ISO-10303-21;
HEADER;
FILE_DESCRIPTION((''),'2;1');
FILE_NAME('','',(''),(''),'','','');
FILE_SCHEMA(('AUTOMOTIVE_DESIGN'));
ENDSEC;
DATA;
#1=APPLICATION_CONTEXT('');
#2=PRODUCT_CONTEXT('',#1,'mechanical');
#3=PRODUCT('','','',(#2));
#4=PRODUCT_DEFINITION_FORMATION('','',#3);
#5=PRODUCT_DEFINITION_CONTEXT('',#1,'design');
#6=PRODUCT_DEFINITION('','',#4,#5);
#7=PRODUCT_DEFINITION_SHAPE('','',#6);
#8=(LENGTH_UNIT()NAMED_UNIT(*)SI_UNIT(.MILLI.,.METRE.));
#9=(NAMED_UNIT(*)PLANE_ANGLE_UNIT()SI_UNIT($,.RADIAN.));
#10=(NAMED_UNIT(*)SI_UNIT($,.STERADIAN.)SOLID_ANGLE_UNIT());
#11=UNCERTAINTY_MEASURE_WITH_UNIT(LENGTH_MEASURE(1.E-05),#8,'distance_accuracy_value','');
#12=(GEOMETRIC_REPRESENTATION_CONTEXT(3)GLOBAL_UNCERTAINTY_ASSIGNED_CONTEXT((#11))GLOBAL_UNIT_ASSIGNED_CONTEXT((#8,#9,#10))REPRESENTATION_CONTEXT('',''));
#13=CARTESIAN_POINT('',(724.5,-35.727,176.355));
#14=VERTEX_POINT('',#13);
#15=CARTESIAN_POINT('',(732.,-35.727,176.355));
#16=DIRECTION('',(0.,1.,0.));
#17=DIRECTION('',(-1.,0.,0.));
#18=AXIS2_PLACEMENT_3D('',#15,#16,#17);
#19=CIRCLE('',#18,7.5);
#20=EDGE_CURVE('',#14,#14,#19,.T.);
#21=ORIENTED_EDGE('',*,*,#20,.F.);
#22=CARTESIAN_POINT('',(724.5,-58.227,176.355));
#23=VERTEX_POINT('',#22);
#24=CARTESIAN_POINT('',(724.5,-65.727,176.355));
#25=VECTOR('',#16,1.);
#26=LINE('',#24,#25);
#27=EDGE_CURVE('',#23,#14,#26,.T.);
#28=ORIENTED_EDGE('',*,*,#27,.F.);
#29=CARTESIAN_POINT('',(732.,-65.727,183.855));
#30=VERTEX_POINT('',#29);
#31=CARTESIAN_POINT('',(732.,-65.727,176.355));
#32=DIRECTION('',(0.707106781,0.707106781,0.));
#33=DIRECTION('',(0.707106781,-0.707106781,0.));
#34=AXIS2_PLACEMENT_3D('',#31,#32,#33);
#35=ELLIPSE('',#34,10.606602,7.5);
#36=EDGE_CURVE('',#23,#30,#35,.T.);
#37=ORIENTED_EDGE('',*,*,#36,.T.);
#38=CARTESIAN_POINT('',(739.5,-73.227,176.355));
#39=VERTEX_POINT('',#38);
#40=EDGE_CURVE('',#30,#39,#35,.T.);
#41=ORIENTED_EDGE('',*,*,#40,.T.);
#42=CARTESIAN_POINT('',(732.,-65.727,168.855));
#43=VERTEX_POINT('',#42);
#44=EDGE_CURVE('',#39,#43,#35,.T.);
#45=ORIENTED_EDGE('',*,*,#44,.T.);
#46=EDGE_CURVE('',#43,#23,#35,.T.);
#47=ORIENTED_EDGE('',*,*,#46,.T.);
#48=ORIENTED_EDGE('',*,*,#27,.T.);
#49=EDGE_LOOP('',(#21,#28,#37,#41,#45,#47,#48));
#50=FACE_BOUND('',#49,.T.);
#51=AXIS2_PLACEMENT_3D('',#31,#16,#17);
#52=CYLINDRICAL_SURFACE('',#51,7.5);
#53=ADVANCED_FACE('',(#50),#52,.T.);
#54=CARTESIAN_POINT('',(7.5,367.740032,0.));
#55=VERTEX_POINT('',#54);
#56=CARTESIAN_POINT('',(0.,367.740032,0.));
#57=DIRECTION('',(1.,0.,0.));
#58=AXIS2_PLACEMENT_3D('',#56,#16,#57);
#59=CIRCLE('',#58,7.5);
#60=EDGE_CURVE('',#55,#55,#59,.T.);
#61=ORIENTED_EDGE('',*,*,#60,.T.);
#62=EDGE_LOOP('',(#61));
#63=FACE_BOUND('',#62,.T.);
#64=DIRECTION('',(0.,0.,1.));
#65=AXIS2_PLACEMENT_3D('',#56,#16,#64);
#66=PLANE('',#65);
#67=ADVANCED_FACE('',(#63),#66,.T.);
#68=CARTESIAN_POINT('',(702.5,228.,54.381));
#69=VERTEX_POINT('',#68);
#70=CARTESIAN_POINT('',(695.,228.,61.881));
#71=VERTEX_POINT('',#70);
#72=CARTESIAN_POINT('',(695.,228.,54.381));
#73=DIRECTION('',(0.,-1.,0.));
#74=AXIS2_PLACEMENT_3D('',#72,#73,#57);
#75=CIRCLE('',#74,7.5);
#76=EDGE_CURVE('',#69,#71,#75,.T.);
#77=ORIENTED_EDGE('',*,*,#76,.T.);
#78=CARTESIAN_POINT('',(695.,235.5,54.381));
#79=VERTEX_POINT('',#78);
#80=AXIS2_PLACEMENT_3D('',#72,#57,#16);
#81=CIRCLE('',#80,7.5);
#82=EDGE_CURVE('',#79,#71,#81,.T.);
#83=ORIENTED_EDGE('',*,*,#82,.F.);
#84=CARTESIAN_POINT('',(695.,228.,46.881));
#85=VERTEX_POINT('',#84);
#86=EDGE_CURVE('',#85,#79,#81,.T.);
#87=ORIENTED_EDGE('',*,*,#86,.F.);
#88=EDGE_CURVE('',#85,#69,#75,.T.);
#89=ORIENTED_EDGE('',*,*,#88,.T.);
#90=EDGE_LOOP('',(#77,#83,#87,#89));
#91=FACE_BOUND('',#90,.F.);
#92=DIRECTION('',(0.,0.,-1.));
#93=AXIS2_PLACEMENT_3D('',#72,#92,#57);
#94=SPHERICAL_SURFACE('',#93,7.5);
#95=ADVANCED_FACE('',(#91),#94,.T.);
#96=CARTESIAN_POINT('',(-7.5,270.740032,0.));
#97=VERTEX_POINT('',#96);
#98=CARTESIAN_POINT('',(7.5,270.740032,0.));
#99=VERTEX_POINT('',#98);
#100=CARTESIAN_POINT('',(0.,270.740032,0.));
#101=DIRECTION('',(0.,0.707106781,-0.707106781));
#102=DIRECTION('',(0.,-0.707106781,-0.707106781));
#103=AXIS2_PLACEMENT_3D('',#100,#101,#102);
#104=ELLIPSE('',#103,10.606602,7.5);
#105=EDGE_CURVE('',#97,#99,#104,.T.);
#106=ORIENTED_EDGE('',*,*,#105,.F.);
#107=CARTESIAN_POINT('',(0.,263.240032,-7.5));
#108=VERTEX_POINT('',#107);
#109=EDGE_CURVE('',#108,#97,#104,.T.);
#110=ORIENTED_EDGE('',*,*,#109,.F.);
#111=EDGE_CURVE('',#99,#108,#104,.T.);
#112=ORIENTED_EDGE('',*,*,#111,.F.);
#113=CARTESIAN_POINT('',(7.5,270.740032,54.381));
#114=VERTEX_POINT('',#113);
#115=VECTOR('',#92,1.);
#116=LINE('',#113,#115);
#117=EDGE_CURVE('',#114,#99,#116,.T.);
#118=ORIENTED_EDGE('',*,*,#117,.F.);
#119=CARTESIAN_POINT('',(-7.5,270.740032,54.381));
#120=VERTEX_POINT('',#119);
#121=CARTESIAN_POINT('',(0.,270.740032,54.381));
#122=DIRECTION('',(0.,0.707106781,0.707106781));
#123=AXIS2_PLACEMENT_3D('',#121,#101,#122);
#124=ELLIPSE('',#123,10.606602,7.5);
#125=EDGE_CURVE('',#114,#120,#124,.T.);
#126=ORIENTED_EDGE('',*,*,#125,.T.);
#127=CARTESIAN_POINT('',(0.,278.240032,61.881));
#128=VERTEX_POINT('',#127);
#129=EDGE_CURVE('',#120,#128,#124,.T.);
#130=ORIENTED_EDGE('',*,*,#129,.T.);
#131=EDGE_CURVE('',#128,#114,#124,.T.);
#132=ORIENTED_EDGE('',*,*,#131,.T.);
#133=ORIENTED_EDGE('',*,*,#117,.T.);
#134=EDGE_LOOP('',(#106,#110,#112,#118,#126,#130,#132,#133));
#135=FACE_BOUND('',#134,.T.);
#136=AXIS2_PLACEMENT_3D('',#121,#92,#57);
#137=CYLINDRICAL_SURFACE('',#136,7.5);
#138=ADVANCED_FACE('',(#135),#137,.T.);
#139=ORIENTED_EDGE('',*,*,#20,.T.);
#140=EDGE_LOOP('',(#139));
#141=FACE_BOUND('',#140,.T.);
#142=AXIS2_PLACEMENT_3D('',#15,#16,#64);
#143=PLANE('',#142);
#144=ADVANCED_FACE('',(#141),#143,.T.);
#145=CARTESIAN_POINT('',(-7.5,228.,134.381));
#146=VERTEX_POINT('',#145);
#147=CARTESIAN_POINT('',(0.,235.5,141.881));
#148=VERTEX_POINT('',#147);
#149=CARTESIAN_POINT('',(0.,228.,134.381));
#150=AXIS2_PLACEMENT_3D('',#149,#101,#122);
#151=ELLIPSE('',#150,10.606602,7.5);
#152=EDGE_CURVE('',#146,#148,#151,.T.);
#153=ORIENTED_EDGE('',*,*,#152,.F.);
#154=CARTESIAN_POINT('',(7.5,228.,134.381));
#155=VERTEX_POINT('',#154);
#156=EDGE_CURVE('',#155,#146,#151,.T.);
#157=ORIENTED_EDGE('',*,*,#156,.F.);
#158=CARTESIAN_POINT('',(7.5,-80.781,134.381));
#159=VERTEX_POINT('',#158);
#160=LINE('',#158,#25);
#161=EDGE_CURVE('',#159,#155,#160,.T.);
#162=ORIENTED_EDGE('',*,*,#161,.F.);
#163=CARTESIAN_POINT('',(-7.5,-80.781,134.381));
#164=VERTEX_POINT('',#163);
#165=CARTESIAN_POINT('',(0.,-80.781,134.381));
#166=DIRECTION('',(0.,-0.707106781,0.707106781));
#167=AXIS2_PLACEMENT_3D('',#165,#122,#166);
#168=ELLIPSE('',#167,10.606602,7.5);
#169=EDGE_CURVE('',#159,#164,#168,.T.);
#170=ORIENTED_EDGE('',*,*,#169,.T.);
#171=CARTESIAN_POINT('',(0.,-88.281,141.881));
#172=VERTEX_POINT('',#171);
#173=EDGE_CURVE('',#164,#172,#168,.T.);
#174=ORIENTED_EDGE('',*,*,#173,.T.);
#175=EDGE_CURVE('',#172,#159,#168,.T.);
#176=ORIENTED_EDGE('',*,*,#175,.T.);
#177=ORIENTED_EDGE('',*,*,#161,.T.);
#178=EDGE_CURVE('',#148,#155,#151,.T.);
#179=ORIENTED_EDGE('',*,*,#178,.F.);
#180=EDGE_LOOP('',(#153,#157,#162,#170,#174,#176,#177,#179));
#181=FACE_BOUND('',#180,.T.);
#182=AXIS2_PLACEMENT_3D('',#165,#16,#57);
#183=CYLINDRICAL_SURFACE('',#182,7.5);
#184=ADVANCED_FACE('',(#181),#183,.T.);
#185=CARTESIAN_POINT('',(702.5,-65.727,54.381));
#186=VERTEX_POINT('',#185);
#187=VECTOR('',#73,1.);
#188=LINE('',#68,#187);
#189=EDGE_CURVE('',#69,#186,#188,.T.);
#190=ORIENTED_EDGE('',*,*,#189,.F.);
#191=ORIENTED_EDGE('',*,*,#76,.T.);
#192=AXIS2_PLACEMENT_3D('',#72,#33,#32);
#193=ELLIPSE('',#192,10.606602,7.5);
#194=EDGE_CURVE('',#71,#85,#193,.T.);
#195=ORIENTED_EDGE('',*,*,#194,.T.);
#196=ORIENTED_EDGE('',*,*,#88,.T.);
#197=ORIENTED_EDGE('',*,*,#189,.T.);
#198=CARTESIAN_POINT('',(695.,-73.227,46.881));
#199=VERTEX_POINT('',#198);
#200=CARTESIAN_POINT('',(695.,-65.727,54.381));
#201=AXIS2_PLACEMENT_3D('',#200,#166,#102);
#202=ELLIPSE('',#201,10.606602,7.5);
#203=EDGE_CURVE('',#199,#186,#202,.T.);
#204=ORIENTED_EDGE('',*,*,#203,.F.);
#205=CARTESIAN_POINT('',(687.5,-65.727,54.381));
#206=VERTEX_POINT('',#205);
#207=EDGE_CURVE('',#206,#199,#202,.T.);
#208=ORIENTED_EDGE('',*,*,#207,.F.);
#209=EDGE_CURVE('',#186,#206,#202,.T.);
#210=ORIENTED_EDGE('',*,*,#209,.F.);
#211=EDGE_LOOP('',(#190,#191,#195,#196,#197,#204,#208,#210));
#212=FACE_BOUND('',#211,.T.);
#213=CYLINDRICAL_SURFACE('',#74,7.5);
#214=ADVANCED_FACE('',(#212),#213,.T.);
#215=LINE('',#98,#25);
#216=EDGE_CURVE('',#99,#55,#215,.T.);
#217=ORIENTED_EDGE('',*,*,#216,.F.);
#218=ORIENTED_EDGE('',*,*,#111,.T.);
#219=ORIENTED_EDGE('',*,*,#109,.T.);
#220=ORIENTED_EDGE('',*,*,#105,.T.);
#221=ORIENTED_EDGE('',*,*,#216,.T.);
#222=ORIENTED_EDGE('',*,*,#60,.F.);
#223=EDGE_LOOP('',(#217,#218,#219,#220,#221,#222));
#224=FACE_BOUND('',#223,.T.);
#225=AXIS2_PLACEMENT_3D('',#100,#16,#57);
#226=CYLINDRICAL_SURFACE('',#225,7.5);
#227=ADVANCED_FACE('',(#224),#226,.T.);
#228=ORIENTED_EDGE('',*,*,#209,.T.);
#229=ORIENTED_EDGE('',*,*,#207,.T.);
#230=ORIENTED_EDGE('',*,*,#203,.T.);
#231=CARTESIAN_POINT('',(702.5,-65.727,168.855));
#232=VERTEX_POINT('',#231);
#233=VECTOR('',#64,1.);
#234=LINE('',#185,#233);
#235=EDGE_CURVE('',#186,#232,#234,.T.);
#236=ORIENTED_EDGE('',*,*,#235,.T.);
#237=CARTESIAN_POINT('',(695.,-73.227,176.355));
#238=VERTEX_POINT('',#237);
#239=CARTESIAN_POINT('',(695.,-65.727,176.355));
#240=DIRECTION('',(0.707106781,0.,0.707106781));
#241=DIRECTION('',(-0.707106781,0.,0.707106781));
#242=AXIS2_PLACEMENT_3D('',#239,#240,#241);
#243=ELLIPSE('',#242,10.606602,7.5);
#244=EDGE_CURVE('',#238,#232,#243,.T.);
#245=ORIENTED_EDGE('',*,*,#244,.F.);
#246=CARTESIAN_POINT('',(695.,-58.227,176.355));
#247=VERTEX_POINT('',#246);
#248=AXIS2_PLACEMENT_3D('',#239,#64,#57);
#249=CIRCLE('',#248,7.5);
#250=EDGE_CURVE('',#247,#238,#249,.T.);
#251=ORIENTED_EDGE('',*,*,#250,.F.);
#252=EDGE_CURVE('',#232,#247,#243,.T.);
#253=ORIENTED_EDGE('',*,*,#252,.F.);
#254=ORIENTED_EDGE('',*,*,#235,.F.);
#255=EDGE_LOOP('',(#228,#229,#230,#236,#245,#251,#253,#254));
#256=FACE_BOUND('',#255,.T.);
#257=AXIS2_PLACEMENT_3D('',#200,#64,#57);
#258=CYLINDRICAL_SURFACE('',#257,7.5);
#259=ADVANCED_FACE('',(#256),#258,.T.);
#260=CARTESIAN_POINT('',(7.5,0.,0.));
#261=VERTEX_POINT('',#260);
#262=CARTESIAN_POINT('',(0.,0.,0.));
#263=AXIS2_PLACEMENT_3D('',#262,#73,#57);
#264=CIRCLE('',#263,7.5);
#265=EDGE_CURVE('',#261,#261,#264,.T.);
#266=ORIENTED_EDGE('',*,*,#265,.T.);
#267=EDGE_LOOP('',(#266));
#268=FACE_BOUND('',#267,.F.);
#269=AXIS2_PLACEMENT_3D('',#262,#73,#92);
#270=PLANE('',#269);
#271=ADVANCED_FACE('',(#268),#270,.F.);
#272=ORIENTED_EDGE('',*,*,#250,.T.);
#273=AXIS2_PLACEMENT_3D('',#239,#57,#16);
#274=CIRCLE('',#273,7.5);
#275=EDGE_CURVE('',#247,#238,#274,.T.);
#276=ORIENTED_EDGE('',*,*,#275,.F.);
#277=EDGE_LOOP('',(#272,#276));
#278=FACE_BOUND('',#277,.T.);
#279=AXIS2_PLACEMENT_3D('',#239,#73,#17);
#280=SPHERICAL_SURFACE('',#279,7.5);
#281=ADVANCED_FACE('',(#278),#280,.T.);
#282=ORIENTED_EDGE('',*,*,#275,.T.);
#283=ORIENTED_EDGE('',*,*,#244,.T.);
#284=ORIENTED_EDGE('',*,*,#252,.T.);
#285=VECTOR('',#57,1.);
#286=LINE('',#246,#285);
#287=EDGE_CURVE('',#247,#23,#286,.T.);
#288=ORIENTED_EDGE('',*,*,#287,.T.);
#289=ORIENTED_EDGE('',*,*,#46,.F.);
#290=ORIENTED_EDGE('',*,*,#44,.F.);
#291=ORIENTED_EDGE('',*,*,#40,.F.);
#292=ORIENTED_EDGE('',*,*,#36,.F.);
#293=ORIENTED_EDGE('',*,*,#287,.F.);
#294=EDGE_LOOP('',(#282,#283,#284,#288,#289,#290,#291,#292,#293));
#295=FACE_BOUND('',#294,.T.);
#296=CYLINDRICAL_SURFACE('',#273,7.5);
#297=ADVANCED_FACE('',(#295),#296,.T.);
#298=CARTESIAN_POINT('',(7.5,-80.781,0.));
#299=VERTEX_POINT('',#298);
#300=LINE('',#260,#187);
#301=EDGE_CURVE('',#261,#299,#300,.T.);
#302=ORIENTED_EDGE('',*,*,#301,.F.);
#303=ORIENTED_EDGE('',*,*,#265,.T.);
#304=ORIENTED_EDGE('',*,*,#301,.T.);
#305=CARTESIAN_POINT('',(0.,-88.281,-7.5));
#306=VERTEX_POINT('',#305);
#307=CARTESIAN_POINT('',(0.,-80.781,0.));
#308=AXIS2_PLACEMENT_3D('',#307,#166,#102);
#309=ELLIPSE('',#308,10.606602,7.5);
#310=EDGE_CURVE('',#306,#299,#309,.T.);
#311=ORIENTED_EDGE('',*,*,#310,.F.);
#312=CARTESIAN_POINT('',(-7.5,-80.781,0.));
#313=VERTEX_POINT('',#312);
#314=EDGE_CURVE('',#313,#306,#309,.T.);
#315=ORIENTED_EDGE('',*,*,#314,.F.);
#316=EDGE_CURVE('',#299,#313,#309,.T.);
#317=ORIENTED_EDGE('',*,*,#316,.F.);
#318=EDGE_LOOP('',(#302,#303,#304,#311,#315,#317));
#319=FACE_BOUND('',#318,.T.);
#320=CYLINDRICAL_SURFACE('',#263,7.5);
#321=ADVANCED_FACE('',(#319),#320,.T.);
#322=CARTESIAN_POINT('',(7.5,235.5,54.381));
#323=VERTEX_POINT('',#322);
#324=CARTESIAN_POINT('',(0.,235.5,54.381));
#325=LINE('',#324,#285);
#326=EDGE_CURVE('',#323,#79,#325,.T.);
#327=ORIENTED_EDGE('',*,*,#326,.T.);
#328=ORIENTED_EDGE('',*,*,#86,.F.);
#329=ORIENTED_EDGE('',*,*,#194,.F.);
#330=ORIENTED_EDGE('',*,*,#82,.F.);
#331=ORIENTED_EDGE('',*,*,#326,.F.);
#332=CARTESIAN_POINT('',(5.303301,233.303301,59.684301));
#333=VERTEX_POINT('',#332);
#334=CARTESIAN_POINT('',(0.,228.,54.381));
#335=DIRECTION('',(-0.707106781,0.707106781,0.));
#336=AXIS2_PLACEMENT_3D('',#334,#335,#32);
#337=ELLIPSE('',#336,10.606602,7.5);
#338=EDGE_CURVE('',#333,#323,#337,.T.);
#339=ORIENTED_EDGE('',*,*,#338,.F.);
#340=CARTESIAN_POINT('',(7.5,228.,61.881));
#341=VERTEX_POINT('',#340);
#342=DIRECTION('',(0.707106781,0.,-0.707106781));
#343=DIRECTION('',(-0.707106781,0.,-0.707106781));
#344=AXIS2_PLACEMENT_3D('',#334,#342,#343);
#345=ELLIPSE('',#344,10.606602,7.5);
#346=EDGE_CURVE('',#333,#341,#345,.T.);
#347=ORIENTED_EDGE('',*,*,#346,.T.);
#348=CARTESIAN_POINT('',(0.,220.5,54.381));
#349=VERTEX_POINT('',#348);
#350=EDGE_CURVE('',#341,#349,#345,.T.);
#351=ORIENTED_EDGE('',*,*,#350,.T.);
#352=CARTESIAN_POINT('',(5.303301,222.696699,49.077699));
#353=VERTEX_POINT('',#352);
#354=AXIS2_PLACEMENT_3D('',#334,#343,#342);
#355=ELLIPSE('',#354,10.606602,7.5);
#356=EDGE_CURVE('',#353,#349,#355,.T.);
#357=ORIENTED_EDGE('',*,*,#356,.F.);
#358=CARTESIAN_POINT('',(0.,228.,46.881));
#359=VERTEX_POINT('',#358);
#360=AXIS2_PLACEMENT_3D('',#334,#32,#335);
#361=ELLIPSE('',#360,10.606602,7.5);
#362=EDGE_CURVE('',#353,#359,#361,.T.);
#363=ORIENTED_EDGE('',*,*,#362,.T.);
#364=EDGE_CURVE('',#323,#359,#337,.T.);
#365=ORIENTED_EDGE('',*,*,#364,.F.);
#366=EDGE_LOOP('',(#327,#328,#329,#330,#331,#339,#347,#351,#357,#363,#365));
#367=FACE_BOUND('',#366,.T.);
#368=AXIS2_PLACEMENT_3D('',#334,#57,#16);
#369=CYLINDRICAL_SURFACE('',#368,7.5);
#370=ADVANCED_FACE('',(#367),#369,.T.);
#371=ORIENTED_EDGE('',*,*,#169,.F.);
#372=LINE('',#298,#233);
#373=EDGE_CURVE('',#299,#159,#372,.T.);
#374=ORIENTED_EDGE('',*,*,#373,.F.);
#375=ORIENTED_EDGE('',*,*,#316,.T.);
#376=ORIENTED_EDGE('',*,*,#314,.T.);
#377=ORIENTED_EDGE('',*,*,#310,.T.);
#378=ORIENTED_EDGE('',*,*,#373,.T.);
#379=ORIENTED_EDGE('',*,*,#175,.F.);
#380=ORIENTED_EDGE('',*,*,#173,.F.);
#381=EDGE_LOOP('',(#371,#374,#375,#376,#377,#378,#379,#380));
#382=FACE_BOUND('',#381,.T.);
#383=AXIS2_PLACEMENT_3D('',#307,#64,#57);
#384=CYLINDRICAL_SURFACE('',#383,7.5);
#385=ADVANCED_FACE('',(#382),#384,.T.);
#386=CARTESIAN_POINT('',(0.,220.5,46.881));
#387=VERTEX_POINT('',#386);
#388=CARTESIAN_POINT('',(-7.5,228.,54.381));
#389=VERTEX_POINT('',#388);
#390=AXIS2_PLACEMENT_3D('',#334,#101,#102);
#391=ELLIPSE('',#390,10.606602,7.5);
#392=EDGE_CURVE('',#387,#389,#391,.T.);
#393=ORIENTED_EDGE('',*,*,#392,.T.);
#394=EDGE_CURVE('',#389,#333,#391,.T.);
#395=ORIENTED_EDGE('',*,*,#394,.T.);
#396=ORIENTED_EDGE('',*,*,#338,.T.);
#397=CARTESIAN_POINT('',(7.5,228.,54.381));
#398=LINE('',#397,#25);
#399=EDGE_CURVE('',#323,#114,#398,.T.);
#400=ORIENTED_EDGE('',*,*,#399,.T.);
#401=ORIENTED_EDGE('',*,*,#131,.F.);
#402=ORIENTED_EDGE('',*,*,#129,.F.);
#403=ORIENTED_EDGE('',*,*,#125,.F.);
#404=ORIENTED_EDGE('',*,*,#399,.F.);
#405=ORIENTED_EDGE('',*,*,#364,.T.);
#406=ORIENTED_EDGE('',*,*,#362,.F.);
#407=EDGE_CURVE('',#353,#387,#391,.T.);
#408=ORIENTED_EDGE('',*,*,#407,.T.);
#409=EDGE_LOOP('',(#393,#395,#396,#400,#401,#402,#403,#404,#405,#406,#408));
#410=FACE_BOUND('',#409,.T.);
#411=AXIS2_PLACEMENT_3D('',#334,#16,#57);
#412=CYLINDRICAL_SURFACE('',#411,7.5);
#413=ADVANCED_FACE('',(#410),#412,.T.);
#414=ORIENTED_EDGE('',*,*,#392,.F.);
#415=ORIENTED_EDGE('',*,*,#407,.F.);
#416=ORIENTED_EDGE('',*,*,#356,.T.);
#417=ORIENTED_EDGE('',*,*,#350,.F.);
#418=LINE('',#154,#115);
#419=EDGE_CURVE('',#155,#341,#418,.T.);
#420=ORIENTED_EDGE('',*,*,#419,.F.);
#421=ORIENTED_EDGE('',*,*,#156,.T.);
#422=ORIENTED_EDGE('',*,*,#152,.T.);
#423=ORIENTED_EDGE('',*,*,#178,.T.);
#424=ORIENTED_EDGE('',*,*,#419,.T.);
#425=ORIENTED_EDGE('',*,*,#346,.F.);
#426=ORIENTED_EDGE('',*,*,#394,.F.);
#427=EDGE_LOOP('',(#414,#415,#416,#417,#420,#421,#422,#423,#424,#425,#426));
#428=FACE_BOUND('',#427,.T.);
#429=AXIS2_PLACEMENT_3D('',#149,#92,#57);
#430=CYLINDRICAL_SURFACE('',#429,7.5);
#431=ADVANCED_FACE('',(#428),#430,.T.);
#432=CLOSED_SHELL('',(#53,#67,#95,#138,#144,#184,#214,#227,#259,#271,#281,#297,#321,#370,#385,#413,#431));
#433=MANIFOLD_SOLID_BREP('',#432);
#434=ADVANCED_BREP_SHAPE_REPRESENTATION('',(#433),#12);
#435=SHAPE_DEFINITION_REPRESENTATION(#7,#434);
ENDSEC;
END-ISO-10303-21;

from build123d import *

# Parameters (mm, degrees)
F0_R  = 7.5
F3_R  = 7.5
F7_R  = 7.5
F11_R = 7.5


with BuildPart() as f2:
    # F2: sweep along a path in F1
    with BuildLine(Plane.YZ) as f2_path:
        Line((0, 0), (-80.781, 0))
        Line((-80.781, 0), (-80.781, 134.381))
        Line((-80.781, 134.381), (228, 134.381))
        Line((228, 134.381), (228, 54.381))
        Line((228, 54.381), (270.740032196, 54.381))
        Line((270.740032196, 54.381), (270.740032196, 0))
        Line((270.740032196, 0), (367.740032196, 0))
    # F0 (on Front) → F2 (sweep)
    with BuildSketch(Plane.XZ):
        Circle(F0_R)
    sweep(path=f2_path.line, transition=Transition.RIGHT)

    # F5: sweep along a path in F4
    with BuildLine(Plane.XZ) as f5_path:
        Line((0, 0), (695, 0))
    # F3 (on Right) → F5 (sweep)
    with BuildSketch(Plane.YZ):
        with Locations((228, 54.381)):
            Circle(F3_R)
    sweep(path=f5_path.line)

    # F9: sweep along a path in F8
    with BuildLine(Plane.YZ) as f9_path:
        Line((228, 54.381), (-65.727, 54.381))
        Line((-65.727, 54.381), (-65.727, 176.355))
    # F7 (on offset) → F9 (sweep)
    with BuildSketch(Plane.XZ.offset(-228)):
        with Locations((695, 54.381)):
            Circle(F7_R)
    sweep(path=f9_path.line, transition=Transition.RIGHT)

    # F13: sweep along a path in F12
    with BuildLine(Plane.XY) as f13_path:
        Line((695, -65.727), (732, -65.727))
        Line((732, -65.727), (732, -35.727))
    # F11 (on offset) → F13 (sweep)
    with BuildSketch(Plane.YZ.offset(695)):
        with Locations((-65.727, 176.355)):
            Circle(F11_R)
    sweep(path=f13_path.line, transition=Transition.RIGHT)

    # F9_face (on face) → F14 (revolve)
    with BuildSketch(Plane(origin=(691.8169011382, -65.727, 176.355), x_dir=(1, 0, 0), z_dir=(0, 0, 1))):
        with BuildLine():
            Line((3.1830988618, -7.5), (3.1830988618, 7.5))
            ThreePointArc((3.1830988618, 7.5), (-4.3169011382, 0), (3.1830988618, -7.5))
        make_face()
    revolve(axis=Axis((695, -65.727, 176.355), (0, -1, 0)))

    # F9_face1 (on face) → F15 (revolve)
    with BuildSketch(Plane(origin=(698.1830988618, 228, 54.381), x_dir=(-1, 0, 0), z_dir=(0, 1, 0))):
        with BuildLine():
            ThreePointArc((-4.3169011382, 0), (-2.1202019971, -5.3033008589), (3.1830988618, -7.5))
            Line((3.1830988618, -7.5), (3.1830988618, 7.5))
            ThreePointArc((3.1830988618, 7.5), (-2.1202019971, 5.3033008589), (-4.3169011382, 0))
        make_face()
    revolve(axis=Axis((695, 228, 54.381), (0, 0, 1)))


solid = f2.part
